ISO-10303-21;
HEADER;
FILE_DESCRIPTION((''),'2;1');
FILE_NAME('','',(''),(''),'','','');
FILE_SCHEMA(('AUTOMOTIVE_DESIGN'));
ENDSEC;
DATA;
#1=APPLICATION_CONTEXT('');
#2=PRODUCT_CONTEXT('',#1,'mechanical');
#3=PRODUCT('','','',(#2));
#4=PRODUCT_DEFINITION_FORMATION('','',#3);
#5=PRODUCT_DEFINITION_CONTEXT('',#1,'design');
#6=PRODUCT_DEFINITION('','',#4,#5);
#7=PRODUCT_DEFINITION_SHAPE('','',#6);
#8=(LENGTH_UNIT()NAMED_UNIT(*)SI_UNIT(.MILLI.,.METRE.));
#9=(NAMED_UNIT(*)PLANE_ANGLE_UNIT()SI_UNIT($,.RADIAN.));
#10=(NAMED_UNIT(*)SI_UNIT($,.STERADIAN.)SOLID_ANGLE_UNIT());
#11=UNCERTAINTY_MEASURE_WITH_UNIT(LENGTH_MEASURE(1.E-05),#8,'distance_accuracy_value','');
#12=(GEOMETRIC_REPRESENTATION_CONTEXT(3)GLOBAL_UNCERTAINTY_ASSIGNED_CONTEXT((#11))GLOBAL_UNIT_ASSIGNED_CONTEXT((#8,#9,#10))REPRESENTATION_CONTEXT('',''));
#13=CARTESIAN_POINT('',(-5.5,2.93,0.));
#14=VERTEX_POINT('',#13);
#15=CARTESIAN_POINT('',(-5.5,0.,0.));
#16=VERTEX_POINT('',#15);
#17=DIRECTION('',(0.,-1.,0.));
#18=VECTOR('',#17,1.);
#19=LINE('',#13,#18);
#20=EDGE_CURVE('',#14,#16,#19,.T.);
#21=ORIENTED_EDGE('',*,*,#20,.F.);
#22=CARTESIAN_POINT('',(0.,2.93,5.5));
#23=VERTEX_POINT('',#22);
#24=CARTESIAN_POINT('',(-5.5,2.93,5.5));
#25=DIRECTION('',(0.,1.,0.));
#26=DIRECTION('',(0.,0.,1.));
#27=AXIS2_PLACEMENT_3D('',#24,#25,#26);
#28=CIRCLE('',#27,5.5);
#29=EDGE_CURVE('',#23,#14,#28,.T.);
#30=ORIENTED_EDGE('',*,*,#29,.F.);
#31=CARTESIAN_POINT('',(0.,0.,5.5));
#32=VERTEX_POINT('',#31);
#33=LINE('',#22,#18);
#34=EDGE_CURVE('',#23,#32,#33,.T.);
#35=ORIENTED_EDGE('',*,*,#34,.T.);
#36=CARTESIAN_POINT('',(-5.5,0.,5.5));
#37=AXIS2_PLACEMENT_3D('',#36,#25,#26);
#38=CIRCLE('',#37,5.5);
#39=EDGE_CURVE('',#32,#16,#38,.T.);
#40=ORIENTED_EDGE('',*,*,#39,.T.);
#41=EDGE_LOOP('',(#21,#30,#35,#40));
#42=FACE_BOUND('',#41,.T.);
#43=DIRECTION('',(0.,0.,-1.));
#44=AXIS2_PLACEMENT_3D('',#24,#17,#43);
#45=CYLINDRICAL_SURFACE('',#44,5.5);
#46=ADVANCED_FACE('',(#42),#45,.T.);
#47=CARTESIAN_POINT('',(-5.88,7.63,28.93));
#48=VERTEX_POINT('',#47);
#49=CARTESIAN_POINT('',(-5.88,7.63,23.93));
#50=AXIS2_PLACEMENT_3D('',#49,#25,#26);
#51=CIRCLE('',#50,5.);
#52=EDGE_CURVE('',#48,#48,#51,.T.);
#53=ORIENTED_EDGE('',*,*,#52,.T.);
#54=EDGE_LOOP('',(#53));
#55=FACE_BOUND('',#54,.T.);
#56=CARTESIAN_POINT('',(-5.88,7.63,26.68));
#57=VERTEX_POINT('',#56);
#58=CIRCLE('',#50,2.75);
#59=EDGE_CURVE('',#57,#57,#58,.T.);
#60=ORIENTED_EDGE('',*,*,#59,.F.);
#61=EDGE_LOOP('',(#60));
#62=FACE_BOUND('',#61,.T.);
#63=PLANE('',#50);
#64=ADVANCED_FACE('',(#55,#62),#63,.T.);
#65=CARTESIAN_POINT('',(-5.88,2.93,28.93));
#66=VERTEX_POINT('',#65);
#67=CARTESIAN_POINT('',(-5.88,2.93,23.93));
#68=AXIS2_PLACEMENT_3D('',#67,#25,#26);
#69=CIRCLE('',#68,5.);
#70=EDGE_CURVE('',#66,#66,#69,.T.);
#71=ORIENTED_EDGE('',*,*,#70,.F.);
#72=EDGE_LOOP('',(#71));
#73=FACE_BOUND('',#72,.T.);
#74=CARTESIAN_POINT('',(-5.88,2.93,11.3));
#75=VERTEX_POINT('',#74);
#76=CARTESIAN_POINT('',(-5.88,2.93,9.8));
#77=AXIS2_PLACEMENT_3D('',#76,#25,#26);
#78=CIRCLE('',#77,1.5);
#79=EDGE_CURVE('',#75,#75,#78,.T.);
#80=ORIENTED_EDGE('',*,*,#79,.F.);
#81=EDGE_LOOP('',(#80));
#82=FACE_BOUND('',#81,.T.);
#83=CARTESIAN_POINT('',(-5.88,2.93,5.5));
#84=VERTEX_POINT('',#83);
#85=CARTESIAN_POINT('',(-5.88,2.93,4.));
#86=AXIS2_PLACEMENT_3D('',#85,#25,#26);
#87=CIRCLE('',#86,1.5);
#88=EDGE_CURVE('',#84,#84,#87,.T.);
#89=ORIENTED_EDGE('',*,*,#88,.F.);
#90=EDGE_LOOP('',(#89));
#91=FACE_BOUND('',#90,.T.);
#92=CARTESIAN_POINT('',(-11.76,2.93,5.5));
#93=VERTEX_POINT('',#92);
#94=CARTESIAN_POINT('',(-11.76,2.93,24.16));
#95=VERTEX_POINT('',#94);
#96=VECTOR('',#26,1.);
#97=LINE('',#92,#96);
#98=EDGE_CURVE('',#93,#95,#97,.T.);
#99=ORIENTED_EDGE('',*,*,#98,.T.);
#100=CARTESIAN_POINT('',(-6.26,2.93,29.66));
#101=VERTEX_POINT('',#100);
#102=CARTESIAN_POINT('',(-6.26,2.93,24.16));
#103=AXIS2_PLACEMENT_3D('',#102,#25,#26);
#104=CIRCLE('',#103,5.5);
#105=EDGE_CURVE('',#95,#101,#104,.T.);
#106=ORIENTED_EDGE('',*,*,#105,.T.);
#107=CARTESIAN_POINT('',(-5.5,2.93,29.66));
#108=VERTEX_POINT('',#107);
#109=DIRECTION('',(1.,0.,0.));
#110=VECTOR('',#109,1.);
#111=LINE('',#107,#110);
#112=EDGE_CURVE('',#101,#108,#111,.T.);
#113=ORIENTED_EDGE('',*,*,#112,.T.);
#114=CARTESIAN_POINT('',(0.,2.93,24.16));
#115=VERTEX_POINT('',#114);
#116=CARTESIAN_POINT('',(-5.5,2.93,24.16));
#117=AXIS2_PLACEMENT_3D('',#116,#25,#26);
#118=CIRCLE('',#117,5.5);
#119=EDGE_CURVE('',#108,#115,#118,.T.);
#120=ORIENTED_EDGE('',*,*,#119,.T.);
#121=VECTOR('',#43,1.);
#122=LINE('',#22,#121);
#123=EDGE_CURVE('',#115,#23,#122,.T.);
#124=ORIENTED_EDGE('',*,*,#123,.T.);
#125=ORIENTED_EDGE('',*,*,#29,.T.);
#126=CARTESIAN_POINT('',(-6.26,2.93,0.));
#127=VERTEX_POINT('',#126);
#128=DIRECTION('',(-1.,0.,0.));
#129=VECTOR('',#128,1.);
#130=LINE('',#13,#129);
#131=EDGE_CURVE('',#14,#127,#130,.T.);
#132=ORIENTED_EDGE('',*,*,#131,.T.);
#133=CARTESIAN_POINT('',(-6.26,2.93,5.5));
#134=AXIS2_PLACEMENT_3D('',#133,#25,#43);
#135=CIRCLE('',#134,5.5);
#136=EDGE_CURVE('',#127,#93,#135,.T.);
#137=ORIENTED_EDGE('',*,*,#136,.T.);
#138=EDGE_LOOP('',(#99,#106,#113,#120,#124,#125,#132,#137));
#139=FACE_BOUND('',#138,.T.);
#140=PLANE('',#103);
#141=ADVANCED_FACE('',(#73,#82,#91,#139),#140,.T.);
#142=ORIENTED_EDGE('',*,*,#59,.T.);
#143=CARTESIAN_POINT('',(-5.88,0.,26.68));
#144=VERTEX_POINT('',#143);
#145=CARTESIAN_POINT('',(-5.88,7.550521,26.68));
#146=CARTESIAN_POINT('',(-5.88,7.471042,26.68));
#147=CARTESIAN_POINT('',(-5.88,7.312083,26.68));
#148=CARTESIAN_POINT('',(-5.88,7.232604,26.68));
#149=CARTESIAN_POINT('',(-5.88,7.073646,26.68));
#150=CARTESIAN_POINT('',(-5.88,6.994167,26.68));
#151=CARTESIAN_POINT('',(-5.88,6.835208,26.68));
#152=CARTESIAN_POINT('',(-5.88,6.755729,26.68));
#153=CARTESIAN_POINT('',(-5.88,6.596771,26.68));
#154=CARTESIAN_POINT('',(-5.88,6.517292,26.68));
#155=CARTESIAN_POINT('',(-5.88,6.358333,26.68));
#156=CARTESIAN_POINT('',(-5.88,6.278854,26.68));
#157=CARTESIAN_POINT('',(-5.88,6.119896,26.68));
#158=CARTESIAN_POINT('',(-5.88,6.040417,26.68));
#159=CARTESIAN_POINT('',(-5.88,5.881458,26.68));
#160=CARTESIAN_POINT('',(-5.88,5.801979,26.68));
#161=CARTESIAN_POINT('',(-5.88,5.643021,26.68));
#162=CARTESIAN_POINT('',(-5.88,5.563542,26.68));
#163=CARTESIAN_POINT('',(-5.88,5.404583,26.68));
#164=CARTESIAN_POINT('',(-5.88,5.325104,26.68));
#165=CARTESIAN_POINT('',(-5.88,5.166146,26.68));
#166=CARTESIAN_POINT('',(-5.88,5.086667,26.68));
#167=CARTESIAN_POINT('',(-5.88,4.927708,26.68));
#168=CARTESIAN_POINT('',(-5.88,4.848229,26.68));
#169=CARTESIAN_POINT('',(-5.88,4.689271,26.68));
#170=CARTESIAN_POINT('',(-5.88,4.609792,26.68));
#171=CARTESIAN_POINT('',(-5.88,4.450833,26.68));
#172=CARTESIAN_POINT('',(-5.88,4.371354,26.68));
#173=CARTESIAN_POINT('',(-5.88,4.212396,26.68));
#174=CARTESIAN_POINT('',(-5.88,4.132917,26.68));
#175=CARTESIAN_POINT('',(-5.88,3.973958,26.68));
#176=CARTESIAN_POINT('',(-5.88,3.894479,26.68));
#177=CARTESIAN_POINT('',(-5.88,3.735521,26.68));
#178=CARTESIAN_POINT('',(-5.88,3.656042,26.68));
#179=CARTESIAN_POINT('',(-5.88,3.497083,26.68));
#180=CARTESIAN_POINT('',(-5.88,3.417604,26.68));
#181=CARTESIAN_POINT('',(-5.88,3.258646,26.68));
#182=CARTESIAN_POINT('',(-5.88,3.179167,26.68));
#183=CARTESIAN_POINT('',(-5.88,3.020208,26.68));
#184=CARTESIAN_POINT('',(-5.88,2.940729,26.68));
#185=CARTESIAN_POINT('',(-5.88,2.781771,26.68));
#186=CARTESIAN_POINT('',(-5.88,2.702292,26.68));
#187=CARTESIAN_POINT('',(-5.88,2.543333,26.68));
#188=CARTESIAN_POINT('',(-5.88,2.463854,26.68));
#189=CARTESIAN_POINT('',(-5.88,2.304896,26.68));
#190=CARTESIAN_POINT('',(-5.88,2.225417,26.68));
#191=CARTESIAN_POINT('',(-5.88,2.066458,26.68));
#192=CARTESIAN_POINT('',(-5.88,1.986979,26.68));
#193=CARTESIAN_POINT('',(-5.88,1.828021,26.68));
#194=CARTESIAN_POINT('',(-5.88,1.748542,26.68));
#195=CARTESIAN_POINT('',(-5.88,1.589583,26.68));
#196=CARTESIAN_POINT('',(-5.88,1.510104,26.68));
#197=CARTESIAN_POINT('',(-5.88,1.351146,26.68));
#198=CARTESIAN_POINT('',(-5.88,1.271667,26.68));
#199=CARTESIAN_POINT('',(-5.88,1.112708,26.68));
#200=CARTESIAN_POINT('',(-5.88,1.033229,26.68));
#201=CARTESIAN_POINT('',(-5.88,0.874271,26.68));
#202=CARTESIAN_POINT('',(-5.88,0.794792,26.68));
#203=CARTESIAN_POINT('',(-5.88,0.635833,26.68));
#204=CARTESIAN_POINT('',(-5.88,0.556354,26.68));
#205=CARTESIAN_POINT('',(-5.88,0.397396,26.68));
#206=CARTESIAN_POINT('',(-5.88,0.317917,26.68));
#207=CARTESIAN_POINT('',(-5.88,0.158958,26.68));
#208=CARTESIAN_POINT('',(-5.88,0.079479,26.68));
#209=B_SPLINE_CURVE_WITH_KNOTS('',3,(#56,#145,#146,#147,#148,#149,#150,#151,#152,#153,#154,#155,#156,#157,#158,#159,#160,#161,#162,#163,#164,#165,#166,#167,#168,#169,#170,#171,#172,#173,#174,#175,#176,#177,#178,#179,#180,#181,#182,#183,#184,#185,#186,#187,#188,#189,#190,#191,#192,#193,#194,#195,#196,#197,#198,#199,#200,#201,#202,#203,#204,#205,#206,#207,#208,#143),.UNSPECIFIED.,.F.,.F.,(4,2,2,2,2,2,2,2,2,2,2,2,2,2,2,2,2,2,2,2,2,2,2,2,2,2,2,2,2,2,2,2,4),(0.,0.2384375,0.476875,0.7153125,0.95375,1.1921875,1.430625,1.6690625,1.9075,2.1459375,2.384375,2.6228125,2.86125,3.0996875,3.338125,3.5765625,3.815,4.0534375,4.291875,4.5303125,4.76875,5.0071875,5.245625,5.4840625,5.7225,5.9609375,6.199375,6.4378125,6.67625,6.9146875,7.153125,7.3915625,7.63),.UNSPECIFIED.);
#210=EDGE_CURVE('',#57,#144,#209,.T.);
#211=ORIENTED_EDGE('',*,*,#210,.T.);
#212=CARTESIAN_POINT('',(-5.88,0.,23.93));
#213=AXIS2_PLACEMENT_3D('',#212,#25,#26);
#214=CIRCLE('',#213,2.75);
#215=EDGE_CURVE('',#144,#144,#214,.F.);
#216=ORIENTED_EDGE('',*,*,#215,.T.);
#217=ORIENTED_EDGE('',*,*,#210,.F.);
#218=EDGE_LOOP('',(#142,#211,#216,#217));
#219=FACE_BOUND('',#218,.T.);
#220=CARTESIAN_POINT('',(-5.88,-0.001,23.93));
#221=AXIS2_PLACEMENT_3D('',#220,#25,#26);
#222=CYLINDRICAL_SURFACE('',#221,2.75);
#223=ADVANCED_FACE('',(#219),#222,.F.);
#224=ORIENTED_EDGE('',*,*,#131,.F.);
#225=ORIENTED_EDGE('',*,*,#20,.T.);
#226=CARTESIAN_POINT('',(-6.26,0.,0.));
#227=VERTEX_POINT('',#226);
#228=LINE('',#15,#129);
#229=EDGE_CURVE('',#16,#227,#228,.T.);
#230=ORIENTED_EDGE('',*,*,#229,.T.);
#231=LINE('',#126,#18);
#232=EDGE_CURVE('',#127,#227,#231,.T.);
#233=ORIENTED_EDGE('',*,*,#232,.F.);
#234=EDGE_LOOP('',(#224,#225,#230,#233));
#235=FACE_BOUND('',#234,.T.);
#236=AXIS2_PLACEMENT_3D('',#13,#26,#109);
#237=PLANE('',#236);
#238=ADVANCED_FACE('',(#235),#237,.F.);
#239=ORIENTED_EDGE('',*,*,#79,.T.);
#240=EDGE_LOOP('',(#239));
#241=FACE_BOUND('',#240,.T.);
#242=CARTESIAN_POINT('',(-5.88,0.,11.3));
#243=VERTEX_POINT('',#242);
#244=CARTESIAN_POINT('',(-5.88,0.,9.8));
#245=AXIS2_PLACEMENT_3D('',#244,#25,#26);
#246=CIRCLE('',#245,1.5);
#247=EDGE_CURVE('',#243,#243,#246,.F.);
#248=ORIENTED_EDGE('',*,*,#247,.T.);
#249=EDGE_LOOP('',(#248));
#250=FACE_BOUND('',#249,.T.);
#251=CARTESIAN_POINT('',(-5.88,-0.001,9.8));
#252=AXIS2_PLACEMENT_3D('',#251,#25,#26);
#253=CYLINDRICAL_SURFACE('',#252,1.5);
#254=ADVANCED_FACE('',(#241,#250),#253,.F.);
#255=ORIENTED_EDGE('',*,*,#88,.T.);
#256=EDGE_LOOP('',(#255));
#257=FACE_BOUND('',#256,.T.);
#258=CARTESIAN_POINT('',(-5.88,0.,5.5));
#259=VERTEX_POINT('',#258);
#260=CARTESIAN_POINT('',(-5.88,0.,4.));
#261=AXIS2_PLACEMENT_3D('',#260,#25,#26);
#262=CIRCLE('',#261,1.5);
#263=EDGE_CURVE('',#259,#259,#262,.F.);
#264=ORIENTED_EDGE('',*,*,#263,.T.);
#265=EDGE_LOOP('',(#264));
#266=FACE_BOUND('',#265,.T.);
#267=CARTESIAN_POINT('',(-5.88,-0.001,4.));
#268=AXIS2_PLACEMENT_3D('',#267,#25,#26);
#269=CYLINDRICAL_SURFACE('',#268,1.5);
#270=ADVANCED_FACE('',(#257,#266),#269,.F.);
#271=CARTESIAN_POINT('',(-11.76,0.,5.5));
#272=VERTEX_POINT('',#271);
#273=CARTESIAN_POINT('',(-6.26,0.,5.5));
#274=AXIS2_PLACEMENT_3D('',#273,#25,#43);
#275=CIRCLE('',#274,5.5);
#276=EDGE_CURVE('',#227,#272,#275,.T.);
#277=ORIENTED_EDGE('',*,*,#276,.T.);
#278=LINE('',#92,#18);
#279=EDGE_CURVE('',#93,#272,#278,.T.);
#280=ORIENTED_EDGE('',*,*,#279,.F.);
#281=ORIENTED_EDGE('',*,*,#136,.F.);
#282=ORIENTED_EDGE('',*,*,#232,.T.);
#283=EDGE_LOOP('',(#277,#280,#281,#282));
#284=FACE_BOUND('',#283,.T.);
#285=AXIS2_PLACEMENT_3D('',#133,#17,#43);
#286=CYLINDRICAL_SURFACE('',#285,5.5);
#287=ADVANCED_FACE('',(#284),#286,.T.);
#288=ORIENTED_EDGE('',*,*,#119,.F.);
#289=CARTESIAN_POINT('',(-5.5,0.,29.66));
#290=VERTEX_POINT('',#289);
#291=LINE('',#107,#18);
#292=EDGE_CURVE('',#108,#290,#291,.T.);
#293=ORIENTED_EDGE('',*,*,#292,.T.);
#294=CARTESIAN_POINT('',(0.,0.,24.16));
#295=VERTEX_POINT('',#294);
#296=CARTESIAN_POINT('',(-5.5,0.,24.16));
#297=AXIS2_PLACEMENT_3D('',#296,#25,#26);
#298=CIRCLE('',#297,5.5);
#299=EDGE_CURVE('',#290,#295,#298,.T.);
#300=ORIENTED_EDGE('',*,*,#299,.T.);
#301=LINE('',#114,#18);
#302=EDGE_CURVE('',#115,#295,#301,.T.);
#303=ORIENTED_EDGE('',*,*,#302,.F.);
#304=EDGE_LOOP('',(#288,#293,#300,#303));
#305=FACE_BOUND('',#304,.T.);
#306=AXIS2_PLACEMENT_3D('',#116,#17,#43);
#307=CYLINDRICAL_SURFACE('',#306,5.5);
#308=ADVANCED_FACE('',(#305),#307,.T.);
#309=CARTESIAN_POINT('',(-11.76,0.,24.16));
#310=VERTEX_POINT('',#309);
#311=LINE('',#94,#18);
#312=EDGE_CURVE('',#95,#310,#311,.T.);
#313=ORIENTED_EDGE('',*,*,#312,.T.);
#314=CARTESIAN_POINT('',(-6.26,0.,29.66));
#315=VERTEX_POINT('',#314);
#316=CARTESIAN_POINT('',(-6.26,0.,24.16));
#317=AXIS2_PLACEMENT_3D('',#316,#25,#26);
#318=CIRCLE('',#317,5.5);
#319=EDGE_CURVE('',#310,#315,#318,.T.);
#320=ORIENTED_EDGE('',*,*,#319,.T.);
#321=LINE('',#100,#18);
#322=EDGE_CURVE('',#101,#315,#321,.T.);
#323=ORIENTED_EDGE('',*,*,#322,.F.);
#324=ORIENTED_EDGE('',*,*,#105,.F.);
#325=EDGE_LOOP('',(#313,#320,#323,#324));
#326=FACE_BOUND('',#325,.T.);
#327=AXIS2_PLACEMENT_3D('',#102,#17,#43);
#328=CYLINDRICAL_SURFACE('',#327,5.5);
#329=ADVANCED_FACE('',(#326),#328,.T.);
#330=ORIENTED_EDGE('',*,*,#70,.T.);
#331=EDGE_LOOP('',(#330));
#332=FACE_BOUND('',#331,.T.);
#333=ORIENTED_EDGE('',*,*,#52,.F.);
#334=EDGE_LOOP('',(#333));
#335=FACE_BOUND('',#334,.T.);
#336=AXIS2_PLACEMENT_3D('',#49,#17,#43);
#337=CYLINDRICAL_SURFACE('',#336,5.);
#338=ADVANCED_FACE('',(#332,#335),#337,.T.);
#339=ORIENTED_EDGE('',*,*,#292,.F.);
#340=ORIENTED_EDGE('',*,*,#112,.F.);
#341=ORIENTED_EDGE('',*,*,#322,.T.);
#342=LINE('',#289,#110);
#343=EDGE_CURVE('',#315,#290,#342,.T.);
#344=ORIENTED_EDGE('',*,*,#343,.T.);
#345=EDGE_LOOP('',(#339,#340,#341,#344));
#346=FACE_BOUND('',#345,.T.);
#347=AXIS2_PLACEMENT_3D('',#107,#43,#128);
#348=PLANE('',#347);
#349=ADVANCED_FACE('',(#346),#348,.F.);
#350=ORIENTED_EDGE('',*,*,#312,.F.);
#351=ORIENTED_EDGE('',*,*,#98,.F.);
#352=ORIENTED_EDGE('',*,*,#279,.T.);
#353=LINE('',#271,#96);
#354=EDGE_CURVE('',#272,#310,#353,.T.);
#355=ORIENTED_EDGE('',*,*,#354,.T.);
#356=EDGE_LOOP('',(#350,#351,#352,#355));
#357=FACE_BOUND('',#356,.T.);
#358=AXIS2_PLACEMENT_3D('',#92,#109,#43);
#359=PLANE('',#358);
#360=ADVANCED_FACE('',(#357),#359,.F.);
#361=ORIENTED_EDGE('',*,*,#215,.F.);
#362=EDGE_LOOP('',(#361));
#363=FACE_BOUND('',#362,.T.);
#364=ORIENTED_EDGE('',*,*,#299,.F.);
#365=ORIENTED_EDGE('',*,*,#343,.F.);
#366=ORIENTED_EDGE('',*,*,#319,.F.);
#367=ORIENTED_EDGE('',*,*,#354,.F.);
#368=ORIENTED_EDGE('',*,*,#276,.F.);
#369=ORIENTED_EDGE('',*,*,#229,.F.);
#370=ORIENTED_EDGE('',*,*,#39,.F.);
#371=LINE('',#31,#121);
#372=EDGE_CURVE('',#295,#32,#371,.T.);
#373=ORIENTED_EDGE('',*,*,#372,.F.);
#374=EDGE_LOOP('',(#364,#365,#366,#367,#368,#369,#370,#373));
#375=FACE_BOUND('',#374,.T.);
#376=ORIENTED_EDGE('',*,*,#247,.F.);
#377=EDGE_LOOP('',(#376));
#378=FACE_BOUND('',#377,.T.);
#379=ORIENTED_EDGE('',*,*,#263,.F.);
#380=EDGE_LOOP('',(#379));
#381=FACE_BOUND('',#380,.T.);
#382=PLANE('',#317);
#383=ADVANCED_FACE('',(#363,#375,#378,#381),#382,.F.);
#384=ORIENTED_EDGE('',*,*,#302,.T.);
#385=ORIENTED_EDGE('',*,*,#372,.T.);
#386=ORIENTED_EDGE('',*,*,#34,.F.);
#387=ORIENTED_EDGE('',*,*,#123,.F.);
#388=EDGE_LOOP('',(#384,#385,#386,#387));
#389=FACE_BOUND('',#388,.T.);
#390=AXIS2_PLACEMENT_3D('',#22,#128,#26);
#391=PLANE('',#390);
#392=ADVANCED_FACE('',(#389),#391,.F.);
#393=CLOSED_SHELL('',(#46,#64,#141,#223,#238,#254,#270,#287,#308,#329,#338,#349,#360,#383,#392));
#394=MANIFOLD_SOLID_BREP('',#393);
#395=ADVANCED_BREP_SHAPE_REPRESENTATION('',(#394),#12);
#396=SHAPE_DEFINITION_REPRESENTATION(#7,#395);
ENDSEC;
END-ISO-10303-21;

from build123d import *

# Parameters (mm, degrees)
BOSS_EXTRUDE1_DEPTH = 2.93
SKETCH2_R           = 5
BOSS_EXTRUDE2_DEPTH = 4.7
CUT_EXTRUDE1_REACH  = 34.806
SKETCH3_R           = 2.75
CUT_EXTRUDE2_REACH  = 34.251
SKETCH4_R           = 1.5


with BuildPart() as part:
    # Sketch1 → Boss-Extrude1 (new body)
    with BuildSketch(Plane(origin=(0, 0, 0), x_dir=(1, 0, 0), z_dir=(0, 1, 0))):
        with BuildLine():
            Line((-5.5, 0), (-6.26, 0))
            ThreePointArc((-6.26, 0), (-10.149087297, -1.610912703), (-11.76, -5.5))
            Line((-11.76, -5.5), (-11.76, -24.16))
            ThreePointArc((-11.76, -24.16), (-10.149087297, -28.049087297), (-6.26, -29.66))
            Line((-6.26, -29.66), (-5.5, -29.66))
            ThreePointArc((-5.5, -29.66), (-1.610912703, -28.049087297), (0, -24.16))
            Line((0, -24.16), (0, -5.5))
            ThreePointArc((0, -5.5), (-1.610912703, -1.610912703), (-5.5, 0))
        make_face()
    extrude(amount=BOSS_EXTRUDE1_DEPTH)

    # Sketch2 → Boss-Extrude2 (add)
    with BuildSketch(Plane(origin=(0, 2.93, 0), x_dir=(1, 0, 0), z_dir=(0, 1, 0))):
        with Locations(Location((-5.88, -23.93, 0), (0, 0, 270))):
            Circle(SKETCH2_R)
    extrude(amount=BOSS_EXTRUDE2_DEPTH)

    # Sketch3 → Cut-Extrude1 (cut, up to next)
    with BuildSketch(Plane(origin=(0, 7.63, 0), x_dir=(1, 0, 0), z_dir=(0, 1, 0)), mode=Mode.PRIVATE) as cut_extrude1_sk1:
        with Locations(Location((-5.88, -23.93, 0), (0, 0, 270))):
            Circle(SKETCH3_R)
    cut_extrude1_tool1 = extrude(cut_extrude1_sk1.sketch, amount=-CUT_EXTRUDE1_REACH, mode=Mode.PRIVATE) & part.part
    add(cut_extrude1_tool1.solids().sort_by_distance((-5.88, 7.63, 23.93))[0], mode=Mode.SUBTRACT)

    # Sketch4 → Cut-Extrude2 (cut, up to next)
    with BuildSketch(Plane(origin=(0, 2.93, 0), x_dir=(1, 0, 0), z_dir=(0, 1, 0)), mode=Mode.PRIVATE) as cut_extrude2_sk1:
        with Locations(Location((-5.88, -4, 0), (0, 0, 270))):
            Circle(SKETCH4_R)
    cut_extrude2_tool1 = extrude(cut_extrude2_sk1.sketch, amount=-CUT_EXTRUDE2_REACH, mode=Mode.PRIVATE) & part.part
    # Sketch4 → Cut-Extrude2 (cut, up to next)
    with BuildSketch(Plane(origin=(0, 2.93, 0), x_dir=(1, 0, 0), z_dir=(0, 1, 0)), mode=Mode.PRIVATE) as cut_extrude2_sk2:
        with Locations(Location((-5.88, -9.8, 0), (0, 0, 270))):
            Circle(SKETCH4_R)
    cut_extrude2_tool2 = extrude(cut_extrude2_sk2.sketch, amount=-CUT_EXTRUDE2_REACH, mode=Mode.PRIVATE) & part.part
    add(cut_extrude2_tool1.solids().sort_by_distance((-5.88, 2.93, 4))[0], mode=Mode.SUBTRACT)
    add(cut_extrude2_tool2.solids().sort_by_distance((-5.88, 2.93, 9.8))[0], mode=Mode.SUBTRACT)


solid = part.part
